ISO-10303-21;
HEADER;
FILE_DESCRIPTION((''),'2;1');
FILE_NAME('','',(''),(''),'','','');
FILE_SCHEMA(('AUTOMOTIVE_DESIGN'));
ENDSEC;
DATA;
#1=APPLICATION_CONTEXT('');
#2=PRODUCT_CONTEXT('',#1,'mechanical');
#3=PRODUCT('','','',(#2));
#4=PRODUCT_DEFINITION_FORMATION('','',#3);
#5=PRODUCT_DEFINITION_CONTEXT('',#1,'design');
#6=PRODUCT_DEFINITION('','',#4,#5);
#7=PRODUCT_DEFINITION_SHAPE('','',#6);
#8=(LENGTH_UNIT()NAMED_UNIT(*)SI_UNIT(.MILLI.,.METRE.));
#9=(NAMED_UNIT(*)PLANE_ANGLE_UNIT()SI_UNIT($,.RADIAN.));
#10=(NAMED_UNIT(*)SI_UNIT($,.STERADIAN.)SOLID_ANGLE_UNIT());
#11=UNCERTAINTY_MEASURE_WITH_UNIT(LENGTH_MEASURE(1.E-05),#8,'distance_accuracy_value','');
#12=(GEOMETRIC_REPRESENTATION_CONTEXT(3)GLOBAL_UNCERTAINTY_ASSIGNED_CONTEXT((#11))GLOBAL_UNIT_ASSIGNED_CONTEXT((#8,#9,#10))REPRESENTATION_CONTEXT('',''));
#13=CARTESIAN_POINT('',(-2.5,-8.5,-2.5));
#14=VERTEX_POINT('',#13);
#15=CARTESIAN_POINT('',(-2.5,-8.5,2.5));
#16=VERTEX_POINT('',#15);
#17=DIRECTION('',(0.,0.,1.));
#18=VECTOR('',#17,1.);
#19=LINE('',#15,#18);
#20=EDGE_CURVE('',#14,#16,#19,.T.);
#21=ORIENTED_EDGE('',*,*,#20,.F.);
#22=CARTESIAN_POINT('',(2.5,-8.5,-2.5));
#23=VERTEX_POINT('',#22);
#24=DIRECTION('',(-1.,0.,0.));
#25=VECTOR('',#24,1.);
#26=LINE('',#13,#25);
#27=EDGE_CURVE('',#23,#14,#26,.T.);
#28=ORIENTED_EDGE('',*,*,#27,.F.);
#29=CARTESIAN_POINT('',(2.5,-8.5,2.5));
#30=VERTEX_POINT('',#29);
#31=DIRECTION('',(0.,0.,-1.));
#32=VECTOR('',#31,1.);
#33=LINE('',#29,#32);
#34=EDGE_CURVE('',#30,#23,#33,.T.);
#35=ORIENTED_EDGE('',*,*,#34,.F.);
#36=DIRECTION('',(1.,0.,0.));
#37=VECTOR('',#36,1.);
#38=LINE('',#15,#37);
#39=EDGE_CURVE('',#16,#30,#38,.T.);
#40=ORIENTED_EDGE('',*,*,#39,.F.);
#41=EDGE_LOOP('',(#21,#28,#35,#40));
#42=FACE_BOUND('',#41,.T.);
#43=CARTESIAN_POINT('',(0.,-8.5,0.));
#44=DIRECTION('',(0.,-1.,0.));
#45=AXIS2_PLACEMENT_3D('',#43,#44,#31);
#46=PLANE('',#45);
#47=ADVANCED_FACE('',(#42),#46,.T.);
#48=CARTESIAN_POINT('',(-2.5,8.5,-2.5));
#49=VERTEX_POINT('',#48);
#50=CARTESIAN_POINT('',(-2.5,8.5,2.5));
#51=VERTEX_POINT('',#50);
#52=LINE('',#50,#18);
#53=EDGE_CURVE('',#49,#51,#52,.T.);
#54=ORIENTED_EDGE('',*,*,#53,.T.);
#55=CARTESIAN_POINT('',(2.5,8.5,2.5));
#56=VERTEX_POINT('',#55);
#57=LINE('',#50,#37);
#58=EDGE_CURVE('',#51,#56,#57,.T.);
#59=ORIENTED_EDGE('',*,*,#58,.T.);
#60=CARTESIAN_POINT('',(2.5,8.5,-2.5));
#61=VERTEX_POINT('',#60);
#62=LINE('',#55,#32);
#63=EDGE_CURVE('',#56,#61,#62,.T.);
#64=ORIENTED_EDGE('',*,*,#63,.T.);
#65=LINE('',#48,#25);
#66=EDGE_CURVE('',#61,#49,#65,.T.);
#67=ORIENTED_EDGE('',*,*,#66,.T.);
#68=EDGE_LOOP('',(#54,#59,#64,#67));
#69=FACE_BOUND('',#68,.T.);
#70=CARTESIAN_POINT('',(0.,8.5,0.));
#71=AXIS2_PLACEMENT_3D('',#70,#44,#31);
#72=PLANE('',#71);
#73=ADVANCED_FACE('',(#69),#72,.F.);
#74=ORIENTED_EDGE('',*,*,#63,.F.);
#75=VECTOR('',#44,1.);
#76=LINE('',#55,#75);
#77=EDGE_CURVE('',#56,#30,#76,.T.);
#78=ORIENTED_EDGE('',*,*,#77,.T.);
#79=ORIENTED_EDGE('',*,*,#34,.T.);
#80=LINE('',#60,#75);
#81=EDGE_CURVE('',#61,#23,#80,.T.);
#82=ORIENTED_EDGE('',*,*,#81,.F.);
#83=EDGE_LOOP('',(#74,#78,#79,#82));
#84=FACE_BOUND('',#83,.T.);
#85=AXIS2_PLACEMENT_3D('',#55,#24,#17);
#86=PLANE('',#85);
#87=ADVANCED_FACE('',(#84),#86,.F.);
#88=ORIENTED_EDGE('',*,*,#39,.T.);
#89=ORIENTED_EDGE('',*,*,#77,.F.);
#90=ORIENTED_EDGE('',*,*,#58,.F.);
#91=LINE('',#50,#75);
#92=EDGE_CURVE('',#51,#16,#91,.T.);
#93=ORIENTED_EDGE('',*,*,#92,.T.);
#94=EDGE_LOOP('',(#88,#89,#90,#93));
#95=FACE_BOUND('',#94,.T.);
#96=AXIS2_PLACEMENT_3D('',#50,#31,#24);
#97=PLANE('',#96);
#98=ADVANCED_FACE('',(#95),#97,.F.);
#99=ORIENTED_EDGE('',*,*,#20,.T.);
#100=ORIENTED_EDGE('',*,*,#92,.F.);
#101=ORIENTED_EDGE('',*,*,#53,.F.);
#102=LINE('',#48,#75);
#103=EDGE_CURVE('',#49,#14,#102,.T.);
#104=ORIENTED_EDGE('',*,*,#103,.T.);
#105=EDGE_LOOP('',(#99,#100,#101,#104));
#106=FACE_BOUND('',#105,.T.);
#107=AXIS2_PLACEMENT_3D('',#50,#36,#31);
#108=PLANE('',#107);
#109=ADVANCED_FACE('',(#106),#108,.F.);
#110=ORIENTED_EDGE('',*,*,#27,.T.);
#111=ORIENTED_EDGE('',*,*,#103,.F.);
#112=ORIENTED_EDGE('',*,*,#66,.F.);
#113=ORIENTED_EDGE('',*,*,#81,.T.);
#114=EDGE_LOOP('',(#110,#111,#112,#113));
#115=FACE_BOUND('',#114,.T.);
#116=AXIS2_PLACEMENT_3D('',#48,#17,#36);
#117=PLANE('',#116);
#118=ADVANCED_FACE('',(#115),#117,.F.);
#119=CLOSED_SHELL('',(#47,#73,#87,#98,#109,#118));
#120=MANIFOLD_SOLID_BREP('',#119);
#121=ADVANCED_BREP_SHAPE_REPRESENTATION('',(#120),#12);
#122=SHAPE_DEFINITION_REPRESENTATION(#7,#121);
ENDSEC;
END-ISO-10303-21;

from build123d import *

# Parameters (mm, degrees)
CROQUIS1_W              = 5
CROQUIS1_H              = 5
SALIENTE_EXTRUIR1_DEPTH = 8.5


with BuildPart() as part:
    # Croquis1 → Saliente-Extruir1 (new, symmetric)
    with BuildSketch(Plane(origin=(0, 0, 0), x_dir=(1, 0, 0), z_dir=(0, 1, 0))):
        Rectangle(CROQUIS1_W, CROQUIS1_H)
    extrude(amount=SALIENTE_EXTRUIR1_DEPTH, both=True)


solid = part.part
